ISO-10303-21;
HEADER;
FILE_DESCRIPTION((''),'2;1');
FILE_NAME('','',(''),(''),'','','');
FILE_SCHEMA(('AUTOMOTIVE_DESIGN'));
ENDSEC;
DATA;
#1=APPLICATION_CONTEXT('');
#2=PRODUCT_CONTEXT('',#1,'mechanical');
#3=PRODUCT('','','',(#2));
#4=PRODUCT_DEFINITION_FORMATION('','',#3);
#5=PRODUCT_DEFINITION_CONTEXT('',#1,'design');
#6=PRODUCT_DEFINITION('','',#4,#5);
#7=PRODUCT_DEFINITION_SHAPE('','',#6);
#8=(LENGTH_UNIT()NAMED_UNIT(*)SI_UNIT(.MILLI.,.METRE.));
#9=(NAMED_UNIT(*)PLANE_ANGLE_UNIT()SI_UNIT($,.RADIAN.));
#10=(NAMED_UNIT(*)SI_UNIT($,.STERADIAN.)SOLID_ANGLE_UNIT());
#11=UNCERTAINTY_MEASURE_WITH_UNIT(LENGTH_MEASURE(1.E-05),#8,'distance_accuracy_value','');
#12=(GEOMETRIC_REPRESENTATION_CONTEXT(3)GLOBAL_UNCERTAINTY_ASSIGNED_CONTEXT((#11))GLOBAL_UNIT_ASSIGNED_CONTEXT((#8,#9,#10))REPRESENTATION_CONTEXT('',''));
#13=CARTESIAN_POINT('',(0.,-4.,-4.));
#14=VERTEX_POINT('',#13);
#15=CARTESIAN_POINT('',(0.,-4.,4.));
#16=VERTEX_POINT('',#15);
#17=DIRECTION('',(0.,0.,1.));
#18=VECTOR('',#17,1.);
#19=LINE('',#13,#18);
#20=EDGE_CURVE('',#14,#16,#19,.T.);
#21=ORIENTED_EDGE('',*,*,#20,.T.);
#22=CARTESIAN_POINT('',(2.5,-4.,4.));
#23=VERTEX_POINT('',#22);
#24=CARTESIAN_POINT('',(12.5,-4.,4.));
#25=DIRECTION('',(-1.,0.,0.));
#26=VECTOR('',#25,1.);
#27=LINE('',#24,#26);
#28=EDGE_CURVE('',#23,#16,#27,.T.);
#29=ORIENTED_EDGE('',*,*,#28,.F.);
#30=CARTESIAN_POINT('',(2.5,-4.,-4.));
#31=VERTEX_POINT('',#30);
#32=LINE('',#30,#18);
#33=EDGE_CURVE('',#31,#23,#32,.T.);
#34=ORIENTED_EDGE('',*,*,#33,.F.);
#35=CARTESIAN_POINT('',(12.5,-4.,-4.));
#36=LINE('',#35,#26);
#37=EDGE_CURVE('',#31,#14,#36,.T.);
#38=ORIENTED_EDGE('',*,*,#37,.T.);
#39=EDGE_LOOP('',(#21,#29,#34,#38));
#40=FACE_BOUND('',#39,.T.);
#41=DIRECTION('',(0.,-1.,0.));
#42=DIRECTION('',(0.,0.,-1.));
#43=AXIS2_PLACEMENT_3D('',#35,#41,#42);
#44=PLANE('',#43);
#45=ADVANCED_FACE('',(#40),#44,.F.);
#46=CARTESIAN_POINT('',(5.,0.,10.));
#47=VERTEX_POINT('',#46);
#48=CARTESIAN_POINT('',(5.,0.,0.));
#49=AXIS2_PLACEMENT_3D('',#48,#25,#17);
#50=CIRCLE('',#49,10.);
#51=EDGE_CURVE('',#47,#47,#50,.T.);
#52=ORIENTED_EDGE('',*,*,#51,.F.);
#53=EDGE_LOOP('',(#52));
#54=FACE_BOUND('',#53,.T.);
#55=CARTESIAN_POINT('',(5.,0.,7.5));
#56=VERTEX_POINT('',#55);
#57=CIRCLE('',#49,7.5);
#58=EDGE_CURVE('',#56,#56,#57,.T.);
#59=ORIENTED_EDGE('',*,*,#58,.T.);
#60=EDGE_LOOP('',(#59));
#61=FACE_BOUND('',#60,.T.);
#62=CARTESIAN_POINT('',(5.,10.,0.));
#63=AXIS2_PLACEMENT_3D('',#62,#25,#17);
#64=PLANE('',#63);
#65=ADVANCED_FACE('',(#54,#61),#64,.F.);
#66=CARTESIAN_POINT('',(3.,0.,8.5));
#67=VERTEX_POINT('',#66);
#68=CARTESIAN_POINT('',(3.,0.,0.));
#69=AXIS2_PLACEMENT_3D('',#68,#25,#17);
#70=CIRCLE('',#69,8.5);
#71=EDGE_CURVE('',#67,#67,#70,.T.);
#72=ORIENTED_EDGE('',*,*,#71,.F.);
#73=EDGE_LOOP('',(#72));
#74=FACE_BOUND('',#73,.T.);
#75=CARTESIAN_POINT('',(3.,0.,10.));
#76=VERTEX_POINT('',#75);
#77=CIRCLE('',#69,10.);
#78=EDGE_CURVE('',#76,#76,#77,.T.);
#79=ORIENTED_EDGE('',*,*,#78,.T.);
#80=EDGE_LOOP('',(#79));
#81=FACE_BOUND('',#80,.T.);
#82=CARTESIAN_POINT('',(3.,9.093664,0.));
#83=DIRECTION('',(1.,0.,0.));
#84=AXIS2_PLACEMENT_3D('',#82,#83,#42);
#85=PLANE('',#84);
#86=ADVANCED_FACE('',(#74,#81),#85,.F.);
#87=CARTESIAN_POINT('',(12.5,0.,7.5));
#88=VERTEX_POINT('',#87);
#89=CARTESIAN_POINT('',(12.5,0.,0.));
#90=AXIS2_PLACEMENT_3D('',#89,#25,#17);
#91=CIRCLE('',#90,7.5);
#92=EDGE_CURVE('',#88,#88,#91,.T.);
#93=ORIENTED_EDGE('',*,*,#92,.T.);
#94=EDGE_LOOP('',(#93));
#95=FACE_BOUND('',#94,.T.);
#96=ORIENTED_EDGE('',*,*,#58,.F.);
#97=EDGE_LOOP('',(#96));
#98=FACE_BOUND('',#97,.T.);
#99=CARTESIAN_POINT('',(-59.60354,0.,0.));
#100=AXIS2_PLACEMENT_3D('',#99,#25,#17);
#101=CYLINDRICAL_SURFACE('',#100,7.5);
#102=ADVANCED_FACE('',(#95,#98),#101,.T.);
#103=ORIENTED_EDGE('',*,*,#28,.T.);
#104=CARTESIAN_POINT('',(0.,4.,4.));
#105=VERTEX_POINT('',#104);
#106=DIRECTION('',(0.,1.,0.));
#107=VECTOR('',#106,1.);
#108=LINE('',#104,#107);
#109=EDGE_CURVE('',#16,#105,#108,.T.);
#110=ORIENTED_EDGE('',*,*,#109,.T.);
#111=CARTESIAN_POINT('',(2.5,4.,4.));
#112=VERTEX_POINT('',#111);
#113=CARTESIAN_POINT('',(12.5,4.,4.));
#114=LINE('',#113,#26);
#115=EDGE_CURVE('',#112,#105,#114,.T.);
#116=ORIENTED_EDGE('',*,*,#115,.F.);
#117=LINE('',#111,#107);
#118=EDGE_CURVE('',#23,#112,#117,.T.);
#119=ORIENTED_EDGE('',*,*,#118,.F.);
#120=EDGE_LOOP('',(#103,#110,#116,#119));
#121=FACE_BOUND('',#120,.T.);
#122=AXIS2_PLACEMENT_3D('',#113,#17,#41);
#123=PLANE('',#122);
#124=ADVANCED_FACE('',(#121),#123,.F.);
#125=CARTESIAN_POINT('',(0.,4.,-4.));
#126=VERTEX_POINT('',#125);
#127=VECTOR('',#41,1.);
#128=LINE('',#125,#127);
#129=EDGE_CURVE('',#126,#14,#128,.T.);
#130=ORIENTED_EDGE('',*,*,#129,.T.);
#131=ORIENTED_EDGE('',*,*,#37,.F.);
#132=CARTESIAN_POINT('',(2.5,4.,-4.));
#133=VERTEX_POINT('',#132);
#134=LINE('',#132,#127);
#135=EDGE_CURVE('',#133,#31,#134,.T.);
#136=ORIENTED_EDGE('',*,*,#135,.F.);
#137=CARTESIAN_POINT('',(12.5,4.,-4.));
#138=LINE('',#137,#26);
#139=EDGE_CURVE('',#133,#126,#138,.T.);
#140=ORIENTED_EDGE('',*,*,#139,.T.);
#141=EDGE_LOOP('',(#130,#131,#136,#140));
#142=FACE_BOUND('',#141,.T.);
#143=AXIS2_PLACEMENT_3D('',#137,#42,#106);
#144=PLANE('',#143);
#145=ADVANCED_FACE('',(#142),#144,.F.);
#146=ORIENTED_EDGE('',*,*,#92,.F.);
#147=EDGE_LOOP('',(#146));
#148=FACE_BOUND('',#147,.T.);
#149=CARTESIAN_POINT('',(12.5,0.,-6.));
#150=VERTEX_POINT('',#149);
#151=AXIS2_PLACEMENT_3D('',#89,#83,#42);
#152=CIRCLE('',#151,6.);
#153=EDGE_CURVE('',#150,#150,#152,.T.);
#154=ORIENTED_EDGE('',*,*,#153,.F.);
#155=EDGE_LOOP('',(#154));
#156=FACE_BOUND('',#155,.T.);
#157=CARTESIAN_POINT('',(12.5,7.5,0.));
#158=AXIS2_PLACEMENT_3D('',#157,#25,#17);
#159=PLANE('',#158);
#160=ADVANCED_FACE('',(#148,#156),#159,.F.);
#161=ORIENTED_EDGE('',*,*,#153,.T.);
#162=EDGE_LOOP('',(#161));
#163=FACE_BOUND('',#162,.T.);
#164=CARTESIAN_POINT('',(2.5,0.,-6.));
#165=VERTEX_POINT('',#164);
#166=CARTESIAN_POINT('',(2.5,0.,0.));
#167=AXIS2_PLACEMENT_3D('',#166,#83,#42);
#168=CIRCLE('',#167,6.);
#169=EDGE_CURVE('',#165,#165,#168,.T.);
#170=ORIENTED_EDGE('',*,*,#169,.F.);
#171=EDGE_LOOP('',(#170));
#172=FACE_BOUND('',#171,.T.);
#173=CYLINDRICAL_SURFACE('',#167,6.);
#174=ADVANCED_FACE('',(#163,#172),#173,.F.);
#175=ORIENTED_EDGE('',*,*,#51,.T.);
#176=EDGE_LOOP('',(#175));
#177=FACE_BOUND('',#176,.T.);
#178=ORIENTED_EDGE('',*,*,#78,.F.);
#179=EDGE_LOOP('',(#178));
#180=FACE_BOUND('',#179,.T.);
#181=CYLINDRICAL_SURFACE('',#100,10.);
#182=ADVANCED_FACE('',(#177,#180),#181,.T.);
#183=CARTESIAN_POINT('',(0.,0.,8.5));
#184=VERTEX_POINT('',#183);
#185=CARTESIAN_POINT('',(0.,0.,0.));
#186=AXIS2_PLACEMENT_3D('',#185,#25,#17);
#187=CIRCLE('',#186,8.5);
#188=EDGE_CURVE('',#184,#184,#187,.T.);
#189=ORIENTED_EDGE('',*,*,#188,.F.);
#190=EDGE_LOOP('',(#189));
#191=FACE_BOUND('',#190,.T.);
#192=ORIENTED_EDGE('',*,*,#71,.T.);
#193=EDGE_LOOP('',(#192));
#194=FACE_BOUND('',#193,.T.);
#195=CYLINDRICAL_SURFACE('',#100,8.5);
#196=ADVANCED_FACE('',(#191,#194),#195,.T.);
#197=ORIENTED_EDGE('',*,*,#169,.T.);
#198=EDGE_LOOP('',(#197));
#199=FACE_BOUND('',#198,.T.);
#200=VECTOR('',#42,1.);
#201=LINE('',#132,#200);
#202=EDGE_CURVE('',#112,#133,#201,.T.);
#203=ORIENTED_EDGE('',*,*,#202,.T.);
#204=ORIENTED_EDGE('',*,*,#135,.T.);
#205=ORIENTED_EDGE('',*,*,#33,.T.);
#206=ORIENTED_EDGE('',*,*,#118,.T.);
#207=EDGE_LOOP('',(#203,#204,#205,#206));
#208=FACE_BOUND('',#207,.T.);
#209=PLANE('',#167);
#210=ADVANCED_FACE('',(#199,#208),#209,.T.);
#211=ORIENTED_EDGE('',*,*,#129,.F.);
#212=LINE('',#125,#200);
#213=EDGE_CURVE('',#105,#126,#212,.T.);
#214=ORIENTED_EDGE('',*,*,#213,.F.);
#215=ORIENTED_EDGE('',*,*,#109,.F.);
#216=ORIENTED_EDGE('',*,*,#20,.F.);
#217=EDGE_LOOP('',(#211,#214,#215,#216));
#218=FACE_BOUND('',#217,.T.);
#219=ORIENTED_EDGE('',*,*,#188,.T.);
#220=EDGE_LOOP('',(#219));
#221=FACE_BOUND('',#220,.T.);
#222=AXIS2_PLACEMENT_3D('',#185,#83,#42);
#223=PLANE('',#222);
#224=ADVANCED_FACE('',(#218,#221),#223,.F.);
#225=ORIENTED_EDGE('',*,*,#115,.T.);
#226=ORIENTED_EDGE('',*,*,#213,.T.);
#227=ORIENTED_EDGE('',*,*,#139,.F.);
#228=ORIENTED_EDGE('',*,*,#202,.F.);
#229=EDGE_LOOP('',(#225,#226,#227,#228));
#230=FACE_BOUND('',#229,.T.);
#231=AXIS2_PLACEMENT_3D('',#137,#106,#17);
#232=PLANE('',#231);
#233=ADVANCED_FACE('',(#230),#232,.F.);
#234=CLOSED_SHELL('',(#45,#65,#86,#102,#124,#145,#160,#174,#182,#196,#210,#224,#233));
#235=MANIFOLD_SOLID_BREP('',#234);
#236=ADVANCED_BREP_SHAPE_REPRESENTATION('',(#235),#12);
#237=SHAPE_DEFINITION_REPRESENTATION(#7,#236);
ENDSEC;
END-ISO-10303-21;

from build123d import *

# Parameters (mm, degrees)
ESQUISSE2_W             = 8
ESQUISSE2_H             = 8
ENL_V_MAT_EXTRU_1_DEPTH = 13.5
ESQUISSE3_R             = 6
ENL_V_MAT_EXTRU_2_DEPTH = 10


with BuildPart() as part:
    # Esquisse1 → Révolution1 (revolve)
    with BuildSketch(Plane.XY, mode=Mode.PRIVATE) as r_volution1_sk:
        Polygon((0, 0), (0, 8.5), (3, 8.5), (3, 9.093663992), (3, 10), (5, 10), (5, 7.5), (12.5, 7.5), (12.5, 0), align=None)
    revolve(r_volution1_sk.sketch.rotate(Axis((-59.603539616, 0, 0), (1, 0, 0)), 90), axis=Axis((-59.603539616, 0, 0), (1, 0, 0)))  # turned: the seam where the file's is

    # Esquisse2 → Enlèv. mat.-Extru.1 (cut, through all)
    with BuildSketch(Plane.ZY):
        Rectangle(ESQUISSE2_W, ESQUISSE2_H)
    extrude(amount=-ENL_V_MAT_EXTRU_1_DEPTH, mode=Mode.SUBTRACT)

    # Esquisse3 → Enlèv. mat.-Extru.2 (cut)
    with BuildSketch(Plane(origin=(12.5, 0, 0), x_dir=(0, 0, -1), z_dir=(1, 0, 0))):
        Circle(ESQUISSE3_R)
    extrude(amount=-ENL_V_MAT_EXTRU_2_DEPTH, mode=Mode.SUBTRACT)


solid = part.part
